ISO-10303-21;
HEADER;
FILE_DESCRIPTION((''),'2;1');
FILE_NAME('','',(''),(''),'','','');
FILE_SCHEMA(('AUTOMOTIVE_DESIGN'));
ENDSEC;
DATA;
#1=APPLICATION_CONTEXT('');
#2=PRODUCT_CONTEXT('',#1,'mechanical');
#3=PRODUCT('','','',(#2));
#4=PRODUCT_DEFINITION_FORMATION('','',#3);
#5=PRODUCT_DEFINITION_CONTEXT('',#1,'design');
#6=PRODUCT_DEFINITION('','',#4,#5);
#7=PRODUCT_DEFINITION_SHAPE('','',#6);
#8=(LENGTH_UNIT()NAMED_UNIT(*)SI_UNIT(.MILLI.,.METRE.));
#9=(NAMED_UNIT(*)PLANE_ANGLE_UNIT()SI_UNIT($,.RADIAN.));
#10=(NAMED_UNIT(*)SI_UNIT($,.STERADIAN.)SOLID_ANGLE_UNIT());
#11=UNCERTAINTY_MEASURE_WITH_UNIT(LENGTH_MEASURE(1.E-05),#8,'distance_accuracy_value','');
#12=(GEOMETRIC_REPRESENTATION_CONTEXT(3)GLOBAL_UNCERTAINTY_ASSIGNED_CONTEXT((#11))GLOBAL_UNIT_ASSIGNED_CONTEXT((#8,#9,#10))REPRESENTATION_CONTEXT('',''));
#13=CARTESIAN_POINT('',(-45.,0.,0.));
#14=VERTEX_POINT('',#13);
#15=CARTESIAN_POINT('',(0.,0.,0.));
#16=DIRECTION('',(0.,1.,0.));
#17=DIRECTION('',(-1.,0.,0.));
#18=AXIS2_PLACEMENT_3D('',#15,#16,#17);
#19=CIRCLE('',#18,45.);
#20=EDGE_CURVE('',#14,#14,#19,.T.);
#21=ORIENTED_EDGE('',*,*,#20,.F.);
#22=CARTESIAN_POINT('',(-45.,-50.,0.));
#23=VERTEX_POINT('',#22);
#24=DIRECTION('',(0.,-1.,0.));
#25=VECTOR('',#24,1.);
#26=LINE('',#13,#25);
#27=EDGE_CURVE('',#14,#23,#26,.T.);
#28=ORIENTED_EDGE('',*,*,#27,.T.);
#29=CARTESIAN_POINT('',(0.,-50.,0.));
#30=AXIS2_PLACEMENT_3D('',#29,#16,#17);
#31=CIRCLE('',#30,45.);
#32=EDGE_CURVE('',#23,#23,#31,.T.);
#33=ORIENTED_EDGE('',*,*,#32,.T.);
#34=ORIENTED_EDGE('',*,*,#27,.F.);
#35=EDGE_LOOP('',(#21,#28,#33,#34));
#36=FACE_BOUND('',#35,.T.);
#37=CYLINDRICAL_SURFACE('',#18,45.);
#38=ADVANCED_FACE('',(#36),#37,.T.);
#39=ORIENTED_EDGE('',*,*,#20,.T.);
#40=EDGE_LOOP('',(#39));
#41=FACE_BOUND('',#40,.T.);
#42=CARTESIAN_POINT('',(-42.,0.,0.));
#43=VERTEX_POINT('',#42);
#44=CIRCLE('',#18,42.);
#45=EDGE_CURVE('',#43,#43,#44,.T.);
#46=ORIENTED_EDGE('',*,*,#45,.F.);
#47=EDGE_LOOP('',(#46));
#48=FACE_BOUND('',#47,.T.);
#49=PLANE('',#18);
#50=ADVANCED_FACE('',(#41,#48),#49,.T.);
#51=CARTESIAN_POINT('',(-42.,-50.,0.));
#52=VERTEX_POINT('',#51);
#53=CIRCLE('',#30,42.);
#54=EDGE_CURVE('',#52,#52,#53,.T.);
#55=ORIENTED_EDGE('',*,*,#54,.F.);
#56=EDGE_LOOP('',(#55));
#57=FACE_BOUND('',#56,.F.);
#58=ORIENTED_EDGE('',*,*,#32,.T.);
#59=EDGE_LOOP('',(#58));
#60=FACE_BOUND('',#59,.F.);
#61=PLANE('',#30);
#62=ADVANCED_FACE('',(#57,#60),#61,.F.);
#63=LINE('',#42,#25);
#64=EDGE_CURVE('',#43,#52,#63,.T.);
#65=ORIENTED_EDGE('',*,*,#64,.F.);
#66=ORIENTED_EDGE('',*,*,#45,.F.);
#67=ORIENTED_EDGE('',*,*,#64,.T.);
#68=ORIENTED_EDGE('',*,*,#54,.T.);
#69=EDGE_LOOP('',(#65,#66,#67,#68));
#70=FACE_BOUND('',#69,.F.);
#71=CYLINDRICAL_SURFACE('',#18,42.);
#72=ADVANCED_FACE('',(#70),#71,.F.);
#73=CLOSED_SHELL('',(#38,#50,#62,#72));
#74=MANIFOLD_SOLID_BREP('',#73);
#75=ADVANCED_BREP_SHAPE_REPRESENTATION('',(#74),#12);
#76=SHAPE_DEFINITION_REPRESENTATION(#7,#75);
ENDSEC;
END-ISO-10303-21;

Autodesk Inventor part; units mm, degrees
ref_plane "YZ Plane" through (0, 0, 0) normal (1, 0, 0) x (0, 1, 0)
ref_plane "XZ Plane" through (0, 0, 0) normal (0, 1, 0) x (-1, 0, 0)
ref_plane "XY Plane" through (0, 0, 0) normal (0, 0, 1) x (1, 0, 0)
sketch "Sketch1" plane through (0, 0, 0) normal (0, 1, 0) x (-1, 0, 0)
  circle A0 centre (0, 0) radius 45
  circle A1 centre (0, 0) radius 42
  dimension "d0" = 90
  dimension "d1" = 3
extrude "Extrusion1" add sketch "Sketch1" against normal blind 50
properties part number "SLM 1612 FDS tube 2"
